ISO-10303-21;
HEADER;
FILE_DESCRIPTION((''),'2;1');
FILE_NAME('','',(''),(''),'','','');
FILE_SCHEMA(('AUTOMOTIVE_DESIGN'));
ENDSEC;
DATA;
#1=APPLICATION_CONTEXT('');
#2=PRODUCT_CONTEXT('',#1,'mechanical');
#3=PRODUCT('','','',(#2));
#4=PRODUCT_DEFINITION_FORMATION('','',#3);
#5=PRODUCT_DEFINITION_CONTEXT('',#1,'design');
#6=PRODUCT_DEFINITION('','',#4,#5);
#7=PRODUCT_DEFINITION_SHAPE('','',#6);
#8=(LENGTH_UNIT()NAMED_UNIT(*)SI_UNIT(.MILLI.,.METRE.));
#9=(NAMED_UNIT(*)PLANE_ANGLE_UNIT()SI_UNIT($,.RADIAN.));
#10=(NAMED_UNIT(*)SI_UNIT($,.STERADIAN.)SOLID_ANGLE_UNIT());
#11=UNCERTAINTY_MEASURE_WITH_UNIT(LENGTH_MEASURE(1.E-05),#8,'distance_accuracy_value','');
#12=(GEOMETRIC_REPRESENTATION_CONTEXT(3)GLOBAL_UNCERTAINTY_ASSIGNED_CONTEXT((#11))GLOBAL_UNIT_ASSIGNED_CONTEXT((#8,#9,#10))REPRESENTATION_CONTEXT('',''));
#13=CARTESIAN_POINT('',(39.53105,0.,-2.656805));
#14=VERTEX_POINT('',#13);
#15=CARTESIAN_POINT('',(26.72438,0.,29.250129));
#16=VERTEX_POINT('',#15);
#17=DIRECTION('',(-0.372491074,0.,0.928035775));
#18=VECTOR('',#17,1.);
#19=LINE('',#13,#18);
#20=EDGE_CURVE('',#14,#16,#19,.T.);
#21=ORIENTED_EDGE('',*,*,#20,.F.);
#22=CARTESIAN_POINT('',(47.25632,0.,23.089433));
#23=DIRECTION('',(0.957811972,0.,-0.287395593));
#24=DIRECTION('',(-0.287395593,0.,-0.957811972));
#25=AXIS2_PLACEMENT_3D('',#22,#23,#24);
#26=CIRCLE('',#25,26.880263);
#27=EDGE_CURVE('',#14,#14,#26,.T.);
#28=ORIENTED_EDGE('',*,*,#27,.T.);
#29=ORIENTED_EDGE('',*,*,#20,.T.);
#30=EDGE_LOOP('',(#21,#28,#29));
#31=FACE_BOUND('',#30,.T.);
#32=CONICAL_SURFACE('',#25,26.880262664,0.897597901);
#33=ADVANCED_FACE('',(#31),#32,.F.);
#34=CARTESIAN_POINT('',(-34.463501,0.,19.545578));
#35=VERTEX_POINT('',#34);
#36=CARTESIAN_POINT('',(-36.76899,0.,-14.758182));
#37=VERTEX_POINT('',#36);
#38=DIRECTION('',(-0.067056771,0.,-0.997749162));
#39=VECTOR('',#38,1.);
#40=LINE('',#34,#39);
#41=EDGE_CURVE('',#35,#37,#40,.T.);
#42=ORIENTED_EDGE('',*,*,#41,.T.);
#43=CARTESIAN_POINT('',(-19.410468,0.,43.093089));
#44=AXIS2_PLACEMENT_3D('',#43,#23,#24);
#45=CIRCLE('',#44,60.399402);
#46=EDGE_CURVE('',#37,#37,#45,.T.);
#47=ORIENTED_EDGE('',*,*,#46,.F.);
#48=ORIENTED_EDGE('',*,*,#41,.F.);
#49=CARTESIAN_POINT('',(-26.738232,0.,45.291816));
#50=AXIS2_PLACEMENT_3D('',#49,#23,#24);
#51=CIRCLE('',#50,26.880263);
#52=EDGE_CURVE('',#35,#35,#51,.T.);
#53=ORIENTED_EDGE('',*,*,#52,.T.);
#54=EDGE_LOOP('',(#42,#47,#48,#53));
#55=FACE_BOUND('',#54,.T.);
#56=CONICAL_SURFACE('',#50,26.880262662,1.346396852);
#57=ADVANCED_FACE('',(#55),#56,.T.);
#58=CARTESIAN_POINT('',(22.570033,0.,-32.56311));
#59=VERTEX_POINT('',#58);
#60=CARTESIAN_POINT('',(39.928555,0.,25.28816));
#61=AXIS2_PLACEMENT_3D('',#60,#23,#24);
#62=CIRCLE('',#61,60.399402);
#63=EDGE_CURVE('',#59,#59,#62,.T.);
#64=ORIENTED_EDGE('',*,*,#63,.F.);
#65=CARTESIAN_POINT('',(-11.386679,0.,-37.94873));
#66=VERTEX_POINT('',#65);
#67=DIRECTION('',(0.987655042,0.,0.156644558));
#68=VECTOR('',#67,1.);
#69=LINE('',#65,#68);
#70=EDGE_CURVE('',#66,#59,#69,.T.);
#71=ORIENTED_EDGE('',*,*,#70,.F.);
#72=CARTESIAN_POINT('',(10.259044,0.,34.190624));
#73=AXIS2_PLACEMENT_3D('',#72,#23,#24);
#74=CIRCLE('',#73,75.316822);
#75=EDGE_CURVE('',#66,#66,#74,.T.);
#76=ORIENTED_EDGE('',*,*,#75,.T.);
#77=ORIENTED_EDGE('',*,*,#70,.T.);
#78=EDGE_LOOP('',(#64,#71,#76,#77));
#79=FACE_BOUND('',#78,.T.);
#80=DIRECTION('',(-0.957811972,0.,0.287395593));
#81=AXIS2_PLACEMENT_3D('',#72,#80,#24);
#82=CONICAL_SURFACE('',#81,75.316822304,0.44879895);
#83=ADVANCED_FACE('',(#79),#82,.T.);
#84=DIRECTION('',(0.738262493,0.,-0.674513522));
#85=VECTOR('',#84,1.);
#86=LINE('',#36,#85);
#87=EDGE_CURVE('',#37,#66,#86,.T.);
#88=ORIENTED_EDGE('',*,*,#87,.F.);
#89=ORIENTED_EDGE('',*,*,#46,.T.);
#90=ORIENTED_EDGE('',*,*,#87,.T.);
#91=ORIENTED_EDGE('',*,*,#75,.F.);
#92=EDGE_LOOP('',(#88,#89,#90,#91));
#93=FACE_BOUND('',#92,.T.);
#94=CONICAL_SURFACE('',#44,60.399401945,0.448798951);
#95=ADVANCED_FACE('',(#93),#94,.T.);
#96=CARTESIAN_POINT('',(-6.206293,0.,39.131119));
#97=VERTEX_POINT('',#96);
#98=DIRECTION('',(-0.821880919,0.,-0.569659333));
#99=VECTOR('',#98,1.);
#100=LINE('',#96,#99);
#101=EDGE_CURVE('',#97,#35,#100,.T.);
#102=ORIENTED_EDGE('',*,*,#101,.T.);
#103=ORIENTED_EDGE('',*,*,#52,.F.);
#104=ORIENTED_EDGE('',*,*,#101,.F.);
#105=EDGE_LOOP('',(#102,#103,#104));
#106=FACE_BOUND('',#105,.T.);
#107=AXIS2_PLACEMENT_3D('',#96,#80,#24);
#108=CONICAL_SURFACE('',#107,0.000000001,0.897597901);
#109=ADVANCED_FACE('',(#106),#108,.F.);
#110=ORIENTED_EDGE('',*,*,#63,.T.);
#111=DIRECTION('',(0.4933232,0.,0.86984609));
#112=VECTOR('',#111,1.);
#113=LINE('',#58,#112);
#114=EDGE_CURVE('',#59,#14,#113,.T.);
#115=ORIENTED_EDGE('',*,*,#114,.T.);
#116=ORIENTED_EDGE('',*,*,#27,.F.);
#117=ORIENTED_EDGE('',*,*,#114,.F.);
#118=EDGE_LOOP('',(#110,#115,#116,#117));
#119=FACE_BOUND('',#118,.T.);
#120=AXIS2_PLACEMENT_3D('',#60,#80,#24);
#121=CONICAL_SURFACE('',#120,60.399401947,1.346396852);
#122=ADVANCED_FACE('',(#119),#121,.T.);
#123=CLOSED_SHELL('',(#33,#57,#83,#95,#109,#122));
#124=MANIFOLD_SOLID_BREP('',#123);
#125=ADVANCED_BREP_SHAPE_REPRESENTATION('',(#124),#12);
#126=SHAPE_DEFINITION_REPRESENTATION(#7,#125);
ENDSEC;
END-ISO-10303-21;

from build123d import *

# Parameters (mm, degrees)
F0_R = 27.2077204557


with BuildPart() as f1:
    # F0 (on Front) → F1 (revolve)
    with BuildSketch(Plane.XZ):
        Polygon((-11.3866792669, -37.9487298791), (22.5700333392, -32.5631104048), (39.5310504961, -2.6568046292), (26.724380343, 29.250129221), (-6.2062932864, 39.131119174), (-34.4635014859, 19.5455782595), (-36.7689901391, -14.7581817415), align=None)
        Circle(F0_R, mode=Mode.SUBTRACT)
        Circle(F0_R)
    revolve(axis=Axis((10.2590435283, 0, 34.1906241975), (0.9578119718, 0, -0.2873955928)))


solid = f1.part
